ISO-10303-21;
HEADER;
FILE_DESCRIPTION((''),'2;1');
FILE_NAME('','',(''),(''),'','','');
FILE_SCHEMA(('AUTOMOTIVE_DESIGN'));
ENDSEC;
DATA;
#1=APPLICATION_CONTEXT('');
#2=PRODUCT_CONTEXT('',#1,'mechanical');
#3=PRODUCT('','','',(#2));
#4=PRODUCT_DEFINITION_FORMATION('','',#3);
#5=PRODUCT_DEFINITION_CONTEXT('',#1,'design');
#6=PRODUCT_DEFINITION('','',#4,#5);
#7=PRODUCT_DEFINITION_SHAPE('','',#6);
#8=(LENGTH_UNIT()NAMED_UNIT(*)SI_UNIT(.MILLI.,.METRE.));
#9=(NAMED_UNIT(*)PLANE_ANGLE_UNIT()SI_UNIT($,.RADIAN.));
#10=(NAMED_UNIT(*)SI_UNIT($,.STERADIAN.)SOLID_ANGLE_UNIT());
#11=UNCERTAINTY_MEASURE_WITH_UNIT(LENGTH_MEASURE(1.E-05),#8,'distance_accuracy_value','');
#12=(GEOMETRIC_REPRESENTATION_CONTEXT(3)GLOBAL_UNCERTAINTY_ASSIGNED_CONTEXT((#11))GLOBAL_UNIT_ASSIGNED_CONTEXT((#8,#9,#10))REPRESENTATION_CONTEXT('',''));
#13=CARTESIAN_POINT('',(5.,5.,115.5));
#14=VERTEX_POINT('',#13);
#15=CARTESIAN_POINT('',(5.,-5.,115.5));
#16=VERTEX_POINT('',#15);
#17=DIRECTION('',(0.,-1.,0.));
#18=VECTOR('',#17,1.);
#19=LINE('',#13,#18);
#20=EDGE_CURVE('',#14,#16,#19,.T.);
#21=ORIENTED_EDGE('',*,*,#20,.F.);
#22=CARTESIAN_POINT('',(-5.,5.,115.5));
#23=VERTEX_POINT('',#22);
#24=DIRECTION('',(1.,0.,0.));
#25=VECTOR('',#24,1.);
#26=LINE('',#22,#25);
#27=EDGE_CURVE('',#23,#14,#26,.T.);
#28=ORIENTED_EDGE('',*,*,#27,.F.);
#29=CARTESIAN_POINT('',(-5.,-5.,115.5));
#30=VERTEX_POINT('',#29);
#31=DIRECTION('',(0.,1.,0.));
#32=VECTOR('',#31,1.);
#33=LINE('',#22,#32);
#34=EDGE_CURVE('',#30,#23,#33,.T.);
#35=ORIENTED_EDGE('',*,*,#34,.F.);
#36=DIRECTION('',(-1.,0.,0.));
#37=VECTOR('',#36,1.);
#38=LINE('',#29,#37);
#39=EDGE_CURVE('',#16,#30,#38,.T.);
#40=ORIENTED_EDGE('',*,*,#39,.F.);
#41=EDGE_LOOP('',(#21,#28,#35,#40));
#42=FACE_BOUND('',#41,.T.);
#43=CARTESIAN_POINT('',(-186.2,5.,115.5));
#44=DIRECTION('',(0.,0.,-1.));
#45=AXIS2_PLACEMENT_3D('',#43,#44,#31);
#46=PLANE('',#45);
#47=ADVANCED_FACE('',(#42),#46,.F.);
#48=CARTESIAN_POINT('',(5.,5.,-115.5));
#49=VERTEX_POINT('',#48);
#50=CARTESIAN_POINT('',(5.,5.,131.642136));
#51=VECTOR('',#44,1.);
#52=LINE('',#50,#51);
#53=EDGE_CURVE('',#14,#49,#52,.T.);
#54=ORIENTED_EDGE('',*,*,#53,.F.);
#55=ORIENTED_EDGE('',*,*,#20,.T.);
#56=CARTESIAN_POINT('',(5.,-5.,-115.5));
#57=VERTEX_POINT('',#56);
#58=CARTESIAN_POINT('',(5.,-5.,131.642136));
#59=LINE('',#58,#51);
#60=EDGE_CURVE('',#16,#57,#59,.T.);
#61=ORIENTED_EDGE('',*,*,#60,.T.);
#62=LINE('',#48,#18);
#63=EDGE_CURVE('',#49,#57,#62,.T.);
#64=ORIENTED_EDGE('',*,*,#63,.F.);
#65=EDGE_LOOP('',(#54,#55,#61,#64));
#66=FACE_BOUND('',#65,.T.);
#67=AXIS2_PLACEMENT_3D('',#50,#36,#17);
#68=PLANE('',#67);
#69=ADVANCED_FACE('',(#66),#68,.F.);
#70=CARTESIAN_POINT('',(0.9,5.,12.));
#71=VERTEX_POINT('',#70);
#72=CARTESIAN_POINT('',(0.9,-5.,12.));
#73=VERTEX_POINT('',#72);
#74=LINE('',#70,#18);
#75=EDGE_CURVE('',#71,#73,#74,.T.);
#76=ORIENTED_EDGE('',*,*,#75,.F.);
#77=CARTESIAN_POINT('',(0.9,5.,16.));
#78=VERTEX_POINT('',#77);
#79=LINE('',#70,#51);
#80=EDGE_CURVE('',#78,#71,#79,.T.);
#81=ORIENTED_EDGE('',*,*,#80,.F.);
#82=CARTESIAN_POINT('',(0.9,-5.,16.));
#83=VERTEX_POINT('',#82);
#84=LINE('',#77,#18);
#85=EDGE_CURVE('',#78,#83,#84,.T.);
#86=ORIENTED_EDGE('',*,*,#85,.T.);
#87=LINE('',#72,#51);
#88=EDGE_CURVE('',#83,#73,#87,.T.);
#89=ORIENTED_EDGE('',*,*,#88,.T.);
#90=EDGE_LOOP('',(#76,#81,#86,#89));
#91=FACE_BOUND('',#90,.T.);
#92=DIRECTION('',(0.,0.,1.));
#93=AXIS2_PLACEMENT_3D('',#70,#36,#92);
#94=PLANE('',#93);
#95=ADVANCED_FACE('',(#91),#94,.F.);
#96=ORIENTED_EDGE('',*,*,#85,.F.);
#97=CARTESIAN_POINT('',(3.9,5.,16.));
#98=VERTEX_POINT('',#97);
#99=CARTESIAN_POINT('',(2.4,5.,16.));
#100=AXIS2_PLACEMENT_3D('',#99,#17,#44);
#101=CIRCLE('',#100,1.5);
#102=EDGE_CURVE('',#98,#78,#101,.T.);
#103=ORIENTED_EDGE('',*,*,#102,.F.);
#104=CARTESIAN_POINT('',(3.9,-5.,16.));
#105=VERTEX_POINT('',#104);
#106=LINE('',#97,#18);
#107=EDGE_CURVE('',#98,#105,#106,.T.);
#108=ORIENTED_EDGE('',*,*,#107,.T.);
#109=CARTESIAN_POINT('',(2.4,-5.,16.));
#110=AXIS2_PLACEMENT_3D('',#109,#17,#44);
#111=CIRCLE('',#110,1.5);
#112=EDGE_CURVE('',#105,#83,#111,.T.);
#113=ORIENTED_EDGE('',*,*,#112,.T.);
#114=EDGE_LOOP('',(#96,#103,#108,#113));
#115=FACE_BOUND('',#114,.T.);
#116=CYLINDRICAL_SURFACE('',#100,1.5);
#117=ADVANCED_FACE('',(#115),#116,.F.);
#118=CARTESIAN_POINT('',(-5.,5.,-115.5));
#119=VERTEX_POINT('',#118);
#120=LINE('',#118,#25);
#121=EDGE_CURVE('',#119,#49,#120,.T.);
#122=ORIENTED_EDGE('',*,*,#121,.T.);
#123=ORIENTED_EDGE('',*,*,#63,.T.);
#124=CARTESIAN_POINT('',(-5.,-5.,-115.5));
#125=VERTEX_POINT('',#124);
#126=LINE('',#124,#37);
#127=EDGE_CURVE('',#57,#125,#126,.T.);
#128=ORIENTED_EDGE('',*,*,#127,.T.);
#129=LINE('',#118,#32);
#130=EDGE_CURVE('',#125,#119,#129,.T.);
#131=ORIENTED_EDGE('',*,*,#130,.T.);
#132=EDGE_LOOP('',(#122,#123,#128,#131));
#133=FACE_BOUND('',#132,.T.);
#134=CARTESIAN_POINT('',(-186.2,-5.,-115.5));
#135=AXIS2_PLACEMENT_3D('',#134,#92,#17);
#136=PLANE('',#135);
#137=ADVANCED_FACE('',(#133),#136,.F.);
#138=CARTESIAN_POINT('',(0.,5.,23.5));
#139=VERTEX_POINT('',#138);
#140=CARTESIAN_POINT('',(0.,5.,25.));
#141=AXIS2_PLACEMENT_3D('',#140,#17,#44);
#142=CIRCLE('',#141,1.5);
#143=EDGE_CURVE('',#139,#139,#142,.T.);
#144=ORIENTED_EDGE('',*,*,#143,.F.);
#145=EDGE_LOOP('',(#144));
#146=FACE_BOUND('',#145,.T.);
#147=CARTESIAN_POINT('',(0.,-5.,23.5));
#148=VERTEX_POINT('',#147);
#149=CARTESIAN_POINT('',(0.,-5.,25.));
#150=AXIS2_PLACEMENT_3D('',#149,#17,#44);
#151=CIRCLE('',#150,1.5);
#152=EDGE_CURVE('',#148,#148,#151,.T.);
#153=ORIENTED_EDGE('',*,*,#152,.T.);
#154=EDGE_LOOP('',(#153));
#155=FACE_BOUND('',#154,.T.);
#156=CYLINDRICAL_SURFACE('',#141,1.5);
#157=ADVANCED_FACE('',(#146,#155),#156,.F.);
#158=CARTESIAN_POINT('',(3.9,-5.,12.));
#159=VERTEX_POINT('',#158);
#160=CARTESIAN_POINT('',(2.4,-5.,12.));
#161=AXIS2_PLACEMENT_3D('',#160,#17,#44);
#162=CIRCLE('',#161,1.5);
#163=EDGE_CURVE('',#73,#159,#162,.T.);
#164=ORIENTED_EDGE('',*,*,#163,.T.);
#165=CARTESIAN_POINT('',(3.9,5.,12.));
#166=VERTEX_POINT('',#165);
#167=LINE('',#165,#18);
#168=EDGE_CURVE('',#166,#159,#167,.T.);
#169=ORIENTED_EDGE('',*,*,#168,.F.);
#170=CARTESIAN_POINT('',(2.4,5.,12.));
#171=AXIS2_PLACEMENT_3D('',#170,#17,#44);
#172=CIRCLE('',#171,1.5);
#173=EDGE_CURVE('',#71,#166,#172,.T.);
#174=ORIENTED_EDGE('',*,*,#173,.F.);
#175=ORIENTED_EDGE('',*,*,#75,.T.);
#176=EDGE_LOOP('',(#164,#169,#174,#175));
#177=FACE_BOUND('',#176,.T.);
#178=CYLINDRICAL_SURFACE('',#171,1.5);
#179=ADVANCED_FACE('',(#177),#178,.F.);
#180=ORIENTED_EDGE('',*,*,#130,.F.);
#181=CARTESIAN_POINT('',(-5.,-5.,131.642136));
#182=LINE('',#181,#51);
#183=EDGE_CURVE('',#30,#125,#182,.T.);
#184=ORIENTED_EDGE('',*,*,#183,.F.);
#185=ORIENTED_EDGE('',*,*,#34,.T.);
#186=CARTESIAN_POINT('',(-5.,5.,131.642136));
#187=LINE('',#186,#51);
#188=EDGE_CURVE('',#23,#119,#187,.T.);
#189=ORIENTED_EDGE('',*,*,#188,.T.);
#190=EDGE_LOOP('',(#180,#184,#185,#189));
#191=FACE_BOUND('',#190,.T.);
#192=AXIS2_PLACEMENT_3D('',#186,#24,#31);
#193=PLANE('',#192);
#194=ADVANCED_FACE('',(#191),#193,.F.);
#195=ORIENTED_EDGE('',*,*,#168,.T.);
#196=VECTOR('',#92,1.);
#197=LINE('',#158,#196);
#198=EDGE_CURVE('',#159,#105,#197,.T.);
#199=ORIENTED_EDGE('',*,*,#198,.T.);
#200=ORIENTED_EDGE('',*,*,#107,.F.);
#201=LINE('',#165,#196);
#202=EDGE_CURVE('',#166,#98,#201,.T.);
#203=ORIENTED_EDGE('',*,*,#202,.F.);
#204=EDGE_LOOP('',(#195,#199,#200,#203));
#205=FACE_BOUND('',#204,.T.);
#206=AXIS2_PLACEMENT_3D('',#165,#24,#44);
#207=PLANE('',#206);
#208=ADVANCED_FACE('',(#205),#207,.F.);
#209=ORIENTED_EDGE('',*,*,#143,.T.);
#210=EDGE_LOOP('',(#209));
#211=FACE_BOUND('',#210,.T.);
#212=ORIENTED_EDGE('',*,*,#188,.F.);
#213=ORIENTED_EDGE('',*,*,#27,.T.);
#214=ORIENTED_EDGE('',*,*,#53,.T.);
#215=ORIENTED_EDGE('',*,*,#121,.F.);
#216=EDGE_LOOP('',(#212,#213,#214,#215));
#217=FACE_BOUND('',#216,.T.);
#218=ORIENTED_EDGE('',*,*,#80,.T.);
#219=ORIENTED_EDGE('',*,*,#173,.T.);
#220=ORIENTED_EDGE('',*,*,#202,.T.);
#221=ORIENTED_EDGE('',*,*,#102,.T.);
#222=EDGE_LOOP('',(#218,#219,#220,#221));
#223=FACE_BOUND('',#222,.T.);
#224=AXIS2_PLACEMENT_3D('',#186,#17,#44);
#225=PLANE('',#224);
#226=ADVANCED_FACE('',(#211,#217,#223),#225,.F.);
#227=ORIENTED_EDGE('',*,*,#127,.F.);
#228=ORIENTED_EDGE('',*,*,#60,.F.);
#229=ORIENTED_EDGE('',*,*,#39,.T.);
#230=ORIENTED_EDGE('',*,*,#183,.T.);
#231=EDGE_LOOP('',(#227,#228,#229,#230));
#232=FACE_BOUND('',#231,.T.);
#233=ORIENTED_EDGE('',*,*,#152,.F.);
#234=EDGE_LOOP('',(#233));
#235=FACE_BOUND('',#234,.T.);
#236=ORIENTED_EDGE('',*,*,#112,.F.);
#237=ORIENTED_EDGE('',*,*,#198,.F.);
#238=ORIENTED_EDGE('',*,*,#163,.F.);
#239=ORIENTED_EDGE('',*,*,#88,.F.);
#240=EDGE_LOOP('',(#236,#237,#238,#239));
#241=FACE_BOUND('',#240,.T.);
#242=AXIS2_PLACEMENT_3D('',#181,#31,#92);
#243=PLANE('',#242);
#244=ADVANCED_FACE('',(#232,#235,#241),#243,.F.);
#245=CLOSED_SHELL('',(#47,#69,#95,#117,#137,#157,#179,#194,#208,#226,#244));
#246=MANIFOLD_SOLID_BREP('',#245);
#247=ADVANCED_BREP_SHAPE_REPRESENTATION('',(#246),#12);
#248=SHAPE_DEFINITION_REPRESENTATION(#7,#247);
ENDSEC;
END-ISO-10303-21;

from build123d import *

# Parameters (mm, degrees)
ESQUISSE1_W             = 10
ESQUISSE1_H             = 10
BOSS_EXTRU_1_DEPTH      = 115.5
BOSS_EXTRU_1_DEPTH_BACK = 115.5
ESQUISSE2_R             = 1.5
ENL_V_MAT_EXTRU_1_DEPTH = 11
ENL_V_MAT_EXTRU_2_DEPTH = 11


with BuildPart() as part:
    # Esquisse1 → Boss.-Extru.1 (new body, two sides)
    with BuildSketch(Plane.XY) as boss_extru_1_sk:
        Rectangle(ESQUISSE1_W, ESQUISSE1_H)
    extrude(amount=BOSS_EXTRU_1_DEPTH)
    extrude(boss_extru_1_sk.sketch, amount=-BOSS_EXTRU_1_DEPTH_BACK)

    # Esquisse2 → Enlèv. mat.-Extru.1 (cut, through all)
    with BuildSketch(Plane.XZ.offset(5)):
        with Locations((0, 25)):
            Circle(ESQUISSE2_R)
    extrude(amount=-ENL_V_MAT_EXTRU_1_DEPTH, mode=Mode.SUBTRACT)

    # Esquisse3 → Enlèv. mat.-Extru.2 (cut, through all)
    with BuildSketch(Plane.XZ.offset(5)):
        with BuildLine():
            Line((0.9, 12), (0.9, 16))
            ThreePointArc((0.9, 16), (2.4, 17.5), (3.9, 16))
            Line((3.9, 16), (3.9, 12))
            ThreePointArc((3.9, 12), (2.4, 10.5), (0.9, 12))
        make_face()
    extrude(amount=-ENL_V_MAT_EXTRU_2_DEPTH, mode=Mode.SUBTRACT)


solid = part.part
